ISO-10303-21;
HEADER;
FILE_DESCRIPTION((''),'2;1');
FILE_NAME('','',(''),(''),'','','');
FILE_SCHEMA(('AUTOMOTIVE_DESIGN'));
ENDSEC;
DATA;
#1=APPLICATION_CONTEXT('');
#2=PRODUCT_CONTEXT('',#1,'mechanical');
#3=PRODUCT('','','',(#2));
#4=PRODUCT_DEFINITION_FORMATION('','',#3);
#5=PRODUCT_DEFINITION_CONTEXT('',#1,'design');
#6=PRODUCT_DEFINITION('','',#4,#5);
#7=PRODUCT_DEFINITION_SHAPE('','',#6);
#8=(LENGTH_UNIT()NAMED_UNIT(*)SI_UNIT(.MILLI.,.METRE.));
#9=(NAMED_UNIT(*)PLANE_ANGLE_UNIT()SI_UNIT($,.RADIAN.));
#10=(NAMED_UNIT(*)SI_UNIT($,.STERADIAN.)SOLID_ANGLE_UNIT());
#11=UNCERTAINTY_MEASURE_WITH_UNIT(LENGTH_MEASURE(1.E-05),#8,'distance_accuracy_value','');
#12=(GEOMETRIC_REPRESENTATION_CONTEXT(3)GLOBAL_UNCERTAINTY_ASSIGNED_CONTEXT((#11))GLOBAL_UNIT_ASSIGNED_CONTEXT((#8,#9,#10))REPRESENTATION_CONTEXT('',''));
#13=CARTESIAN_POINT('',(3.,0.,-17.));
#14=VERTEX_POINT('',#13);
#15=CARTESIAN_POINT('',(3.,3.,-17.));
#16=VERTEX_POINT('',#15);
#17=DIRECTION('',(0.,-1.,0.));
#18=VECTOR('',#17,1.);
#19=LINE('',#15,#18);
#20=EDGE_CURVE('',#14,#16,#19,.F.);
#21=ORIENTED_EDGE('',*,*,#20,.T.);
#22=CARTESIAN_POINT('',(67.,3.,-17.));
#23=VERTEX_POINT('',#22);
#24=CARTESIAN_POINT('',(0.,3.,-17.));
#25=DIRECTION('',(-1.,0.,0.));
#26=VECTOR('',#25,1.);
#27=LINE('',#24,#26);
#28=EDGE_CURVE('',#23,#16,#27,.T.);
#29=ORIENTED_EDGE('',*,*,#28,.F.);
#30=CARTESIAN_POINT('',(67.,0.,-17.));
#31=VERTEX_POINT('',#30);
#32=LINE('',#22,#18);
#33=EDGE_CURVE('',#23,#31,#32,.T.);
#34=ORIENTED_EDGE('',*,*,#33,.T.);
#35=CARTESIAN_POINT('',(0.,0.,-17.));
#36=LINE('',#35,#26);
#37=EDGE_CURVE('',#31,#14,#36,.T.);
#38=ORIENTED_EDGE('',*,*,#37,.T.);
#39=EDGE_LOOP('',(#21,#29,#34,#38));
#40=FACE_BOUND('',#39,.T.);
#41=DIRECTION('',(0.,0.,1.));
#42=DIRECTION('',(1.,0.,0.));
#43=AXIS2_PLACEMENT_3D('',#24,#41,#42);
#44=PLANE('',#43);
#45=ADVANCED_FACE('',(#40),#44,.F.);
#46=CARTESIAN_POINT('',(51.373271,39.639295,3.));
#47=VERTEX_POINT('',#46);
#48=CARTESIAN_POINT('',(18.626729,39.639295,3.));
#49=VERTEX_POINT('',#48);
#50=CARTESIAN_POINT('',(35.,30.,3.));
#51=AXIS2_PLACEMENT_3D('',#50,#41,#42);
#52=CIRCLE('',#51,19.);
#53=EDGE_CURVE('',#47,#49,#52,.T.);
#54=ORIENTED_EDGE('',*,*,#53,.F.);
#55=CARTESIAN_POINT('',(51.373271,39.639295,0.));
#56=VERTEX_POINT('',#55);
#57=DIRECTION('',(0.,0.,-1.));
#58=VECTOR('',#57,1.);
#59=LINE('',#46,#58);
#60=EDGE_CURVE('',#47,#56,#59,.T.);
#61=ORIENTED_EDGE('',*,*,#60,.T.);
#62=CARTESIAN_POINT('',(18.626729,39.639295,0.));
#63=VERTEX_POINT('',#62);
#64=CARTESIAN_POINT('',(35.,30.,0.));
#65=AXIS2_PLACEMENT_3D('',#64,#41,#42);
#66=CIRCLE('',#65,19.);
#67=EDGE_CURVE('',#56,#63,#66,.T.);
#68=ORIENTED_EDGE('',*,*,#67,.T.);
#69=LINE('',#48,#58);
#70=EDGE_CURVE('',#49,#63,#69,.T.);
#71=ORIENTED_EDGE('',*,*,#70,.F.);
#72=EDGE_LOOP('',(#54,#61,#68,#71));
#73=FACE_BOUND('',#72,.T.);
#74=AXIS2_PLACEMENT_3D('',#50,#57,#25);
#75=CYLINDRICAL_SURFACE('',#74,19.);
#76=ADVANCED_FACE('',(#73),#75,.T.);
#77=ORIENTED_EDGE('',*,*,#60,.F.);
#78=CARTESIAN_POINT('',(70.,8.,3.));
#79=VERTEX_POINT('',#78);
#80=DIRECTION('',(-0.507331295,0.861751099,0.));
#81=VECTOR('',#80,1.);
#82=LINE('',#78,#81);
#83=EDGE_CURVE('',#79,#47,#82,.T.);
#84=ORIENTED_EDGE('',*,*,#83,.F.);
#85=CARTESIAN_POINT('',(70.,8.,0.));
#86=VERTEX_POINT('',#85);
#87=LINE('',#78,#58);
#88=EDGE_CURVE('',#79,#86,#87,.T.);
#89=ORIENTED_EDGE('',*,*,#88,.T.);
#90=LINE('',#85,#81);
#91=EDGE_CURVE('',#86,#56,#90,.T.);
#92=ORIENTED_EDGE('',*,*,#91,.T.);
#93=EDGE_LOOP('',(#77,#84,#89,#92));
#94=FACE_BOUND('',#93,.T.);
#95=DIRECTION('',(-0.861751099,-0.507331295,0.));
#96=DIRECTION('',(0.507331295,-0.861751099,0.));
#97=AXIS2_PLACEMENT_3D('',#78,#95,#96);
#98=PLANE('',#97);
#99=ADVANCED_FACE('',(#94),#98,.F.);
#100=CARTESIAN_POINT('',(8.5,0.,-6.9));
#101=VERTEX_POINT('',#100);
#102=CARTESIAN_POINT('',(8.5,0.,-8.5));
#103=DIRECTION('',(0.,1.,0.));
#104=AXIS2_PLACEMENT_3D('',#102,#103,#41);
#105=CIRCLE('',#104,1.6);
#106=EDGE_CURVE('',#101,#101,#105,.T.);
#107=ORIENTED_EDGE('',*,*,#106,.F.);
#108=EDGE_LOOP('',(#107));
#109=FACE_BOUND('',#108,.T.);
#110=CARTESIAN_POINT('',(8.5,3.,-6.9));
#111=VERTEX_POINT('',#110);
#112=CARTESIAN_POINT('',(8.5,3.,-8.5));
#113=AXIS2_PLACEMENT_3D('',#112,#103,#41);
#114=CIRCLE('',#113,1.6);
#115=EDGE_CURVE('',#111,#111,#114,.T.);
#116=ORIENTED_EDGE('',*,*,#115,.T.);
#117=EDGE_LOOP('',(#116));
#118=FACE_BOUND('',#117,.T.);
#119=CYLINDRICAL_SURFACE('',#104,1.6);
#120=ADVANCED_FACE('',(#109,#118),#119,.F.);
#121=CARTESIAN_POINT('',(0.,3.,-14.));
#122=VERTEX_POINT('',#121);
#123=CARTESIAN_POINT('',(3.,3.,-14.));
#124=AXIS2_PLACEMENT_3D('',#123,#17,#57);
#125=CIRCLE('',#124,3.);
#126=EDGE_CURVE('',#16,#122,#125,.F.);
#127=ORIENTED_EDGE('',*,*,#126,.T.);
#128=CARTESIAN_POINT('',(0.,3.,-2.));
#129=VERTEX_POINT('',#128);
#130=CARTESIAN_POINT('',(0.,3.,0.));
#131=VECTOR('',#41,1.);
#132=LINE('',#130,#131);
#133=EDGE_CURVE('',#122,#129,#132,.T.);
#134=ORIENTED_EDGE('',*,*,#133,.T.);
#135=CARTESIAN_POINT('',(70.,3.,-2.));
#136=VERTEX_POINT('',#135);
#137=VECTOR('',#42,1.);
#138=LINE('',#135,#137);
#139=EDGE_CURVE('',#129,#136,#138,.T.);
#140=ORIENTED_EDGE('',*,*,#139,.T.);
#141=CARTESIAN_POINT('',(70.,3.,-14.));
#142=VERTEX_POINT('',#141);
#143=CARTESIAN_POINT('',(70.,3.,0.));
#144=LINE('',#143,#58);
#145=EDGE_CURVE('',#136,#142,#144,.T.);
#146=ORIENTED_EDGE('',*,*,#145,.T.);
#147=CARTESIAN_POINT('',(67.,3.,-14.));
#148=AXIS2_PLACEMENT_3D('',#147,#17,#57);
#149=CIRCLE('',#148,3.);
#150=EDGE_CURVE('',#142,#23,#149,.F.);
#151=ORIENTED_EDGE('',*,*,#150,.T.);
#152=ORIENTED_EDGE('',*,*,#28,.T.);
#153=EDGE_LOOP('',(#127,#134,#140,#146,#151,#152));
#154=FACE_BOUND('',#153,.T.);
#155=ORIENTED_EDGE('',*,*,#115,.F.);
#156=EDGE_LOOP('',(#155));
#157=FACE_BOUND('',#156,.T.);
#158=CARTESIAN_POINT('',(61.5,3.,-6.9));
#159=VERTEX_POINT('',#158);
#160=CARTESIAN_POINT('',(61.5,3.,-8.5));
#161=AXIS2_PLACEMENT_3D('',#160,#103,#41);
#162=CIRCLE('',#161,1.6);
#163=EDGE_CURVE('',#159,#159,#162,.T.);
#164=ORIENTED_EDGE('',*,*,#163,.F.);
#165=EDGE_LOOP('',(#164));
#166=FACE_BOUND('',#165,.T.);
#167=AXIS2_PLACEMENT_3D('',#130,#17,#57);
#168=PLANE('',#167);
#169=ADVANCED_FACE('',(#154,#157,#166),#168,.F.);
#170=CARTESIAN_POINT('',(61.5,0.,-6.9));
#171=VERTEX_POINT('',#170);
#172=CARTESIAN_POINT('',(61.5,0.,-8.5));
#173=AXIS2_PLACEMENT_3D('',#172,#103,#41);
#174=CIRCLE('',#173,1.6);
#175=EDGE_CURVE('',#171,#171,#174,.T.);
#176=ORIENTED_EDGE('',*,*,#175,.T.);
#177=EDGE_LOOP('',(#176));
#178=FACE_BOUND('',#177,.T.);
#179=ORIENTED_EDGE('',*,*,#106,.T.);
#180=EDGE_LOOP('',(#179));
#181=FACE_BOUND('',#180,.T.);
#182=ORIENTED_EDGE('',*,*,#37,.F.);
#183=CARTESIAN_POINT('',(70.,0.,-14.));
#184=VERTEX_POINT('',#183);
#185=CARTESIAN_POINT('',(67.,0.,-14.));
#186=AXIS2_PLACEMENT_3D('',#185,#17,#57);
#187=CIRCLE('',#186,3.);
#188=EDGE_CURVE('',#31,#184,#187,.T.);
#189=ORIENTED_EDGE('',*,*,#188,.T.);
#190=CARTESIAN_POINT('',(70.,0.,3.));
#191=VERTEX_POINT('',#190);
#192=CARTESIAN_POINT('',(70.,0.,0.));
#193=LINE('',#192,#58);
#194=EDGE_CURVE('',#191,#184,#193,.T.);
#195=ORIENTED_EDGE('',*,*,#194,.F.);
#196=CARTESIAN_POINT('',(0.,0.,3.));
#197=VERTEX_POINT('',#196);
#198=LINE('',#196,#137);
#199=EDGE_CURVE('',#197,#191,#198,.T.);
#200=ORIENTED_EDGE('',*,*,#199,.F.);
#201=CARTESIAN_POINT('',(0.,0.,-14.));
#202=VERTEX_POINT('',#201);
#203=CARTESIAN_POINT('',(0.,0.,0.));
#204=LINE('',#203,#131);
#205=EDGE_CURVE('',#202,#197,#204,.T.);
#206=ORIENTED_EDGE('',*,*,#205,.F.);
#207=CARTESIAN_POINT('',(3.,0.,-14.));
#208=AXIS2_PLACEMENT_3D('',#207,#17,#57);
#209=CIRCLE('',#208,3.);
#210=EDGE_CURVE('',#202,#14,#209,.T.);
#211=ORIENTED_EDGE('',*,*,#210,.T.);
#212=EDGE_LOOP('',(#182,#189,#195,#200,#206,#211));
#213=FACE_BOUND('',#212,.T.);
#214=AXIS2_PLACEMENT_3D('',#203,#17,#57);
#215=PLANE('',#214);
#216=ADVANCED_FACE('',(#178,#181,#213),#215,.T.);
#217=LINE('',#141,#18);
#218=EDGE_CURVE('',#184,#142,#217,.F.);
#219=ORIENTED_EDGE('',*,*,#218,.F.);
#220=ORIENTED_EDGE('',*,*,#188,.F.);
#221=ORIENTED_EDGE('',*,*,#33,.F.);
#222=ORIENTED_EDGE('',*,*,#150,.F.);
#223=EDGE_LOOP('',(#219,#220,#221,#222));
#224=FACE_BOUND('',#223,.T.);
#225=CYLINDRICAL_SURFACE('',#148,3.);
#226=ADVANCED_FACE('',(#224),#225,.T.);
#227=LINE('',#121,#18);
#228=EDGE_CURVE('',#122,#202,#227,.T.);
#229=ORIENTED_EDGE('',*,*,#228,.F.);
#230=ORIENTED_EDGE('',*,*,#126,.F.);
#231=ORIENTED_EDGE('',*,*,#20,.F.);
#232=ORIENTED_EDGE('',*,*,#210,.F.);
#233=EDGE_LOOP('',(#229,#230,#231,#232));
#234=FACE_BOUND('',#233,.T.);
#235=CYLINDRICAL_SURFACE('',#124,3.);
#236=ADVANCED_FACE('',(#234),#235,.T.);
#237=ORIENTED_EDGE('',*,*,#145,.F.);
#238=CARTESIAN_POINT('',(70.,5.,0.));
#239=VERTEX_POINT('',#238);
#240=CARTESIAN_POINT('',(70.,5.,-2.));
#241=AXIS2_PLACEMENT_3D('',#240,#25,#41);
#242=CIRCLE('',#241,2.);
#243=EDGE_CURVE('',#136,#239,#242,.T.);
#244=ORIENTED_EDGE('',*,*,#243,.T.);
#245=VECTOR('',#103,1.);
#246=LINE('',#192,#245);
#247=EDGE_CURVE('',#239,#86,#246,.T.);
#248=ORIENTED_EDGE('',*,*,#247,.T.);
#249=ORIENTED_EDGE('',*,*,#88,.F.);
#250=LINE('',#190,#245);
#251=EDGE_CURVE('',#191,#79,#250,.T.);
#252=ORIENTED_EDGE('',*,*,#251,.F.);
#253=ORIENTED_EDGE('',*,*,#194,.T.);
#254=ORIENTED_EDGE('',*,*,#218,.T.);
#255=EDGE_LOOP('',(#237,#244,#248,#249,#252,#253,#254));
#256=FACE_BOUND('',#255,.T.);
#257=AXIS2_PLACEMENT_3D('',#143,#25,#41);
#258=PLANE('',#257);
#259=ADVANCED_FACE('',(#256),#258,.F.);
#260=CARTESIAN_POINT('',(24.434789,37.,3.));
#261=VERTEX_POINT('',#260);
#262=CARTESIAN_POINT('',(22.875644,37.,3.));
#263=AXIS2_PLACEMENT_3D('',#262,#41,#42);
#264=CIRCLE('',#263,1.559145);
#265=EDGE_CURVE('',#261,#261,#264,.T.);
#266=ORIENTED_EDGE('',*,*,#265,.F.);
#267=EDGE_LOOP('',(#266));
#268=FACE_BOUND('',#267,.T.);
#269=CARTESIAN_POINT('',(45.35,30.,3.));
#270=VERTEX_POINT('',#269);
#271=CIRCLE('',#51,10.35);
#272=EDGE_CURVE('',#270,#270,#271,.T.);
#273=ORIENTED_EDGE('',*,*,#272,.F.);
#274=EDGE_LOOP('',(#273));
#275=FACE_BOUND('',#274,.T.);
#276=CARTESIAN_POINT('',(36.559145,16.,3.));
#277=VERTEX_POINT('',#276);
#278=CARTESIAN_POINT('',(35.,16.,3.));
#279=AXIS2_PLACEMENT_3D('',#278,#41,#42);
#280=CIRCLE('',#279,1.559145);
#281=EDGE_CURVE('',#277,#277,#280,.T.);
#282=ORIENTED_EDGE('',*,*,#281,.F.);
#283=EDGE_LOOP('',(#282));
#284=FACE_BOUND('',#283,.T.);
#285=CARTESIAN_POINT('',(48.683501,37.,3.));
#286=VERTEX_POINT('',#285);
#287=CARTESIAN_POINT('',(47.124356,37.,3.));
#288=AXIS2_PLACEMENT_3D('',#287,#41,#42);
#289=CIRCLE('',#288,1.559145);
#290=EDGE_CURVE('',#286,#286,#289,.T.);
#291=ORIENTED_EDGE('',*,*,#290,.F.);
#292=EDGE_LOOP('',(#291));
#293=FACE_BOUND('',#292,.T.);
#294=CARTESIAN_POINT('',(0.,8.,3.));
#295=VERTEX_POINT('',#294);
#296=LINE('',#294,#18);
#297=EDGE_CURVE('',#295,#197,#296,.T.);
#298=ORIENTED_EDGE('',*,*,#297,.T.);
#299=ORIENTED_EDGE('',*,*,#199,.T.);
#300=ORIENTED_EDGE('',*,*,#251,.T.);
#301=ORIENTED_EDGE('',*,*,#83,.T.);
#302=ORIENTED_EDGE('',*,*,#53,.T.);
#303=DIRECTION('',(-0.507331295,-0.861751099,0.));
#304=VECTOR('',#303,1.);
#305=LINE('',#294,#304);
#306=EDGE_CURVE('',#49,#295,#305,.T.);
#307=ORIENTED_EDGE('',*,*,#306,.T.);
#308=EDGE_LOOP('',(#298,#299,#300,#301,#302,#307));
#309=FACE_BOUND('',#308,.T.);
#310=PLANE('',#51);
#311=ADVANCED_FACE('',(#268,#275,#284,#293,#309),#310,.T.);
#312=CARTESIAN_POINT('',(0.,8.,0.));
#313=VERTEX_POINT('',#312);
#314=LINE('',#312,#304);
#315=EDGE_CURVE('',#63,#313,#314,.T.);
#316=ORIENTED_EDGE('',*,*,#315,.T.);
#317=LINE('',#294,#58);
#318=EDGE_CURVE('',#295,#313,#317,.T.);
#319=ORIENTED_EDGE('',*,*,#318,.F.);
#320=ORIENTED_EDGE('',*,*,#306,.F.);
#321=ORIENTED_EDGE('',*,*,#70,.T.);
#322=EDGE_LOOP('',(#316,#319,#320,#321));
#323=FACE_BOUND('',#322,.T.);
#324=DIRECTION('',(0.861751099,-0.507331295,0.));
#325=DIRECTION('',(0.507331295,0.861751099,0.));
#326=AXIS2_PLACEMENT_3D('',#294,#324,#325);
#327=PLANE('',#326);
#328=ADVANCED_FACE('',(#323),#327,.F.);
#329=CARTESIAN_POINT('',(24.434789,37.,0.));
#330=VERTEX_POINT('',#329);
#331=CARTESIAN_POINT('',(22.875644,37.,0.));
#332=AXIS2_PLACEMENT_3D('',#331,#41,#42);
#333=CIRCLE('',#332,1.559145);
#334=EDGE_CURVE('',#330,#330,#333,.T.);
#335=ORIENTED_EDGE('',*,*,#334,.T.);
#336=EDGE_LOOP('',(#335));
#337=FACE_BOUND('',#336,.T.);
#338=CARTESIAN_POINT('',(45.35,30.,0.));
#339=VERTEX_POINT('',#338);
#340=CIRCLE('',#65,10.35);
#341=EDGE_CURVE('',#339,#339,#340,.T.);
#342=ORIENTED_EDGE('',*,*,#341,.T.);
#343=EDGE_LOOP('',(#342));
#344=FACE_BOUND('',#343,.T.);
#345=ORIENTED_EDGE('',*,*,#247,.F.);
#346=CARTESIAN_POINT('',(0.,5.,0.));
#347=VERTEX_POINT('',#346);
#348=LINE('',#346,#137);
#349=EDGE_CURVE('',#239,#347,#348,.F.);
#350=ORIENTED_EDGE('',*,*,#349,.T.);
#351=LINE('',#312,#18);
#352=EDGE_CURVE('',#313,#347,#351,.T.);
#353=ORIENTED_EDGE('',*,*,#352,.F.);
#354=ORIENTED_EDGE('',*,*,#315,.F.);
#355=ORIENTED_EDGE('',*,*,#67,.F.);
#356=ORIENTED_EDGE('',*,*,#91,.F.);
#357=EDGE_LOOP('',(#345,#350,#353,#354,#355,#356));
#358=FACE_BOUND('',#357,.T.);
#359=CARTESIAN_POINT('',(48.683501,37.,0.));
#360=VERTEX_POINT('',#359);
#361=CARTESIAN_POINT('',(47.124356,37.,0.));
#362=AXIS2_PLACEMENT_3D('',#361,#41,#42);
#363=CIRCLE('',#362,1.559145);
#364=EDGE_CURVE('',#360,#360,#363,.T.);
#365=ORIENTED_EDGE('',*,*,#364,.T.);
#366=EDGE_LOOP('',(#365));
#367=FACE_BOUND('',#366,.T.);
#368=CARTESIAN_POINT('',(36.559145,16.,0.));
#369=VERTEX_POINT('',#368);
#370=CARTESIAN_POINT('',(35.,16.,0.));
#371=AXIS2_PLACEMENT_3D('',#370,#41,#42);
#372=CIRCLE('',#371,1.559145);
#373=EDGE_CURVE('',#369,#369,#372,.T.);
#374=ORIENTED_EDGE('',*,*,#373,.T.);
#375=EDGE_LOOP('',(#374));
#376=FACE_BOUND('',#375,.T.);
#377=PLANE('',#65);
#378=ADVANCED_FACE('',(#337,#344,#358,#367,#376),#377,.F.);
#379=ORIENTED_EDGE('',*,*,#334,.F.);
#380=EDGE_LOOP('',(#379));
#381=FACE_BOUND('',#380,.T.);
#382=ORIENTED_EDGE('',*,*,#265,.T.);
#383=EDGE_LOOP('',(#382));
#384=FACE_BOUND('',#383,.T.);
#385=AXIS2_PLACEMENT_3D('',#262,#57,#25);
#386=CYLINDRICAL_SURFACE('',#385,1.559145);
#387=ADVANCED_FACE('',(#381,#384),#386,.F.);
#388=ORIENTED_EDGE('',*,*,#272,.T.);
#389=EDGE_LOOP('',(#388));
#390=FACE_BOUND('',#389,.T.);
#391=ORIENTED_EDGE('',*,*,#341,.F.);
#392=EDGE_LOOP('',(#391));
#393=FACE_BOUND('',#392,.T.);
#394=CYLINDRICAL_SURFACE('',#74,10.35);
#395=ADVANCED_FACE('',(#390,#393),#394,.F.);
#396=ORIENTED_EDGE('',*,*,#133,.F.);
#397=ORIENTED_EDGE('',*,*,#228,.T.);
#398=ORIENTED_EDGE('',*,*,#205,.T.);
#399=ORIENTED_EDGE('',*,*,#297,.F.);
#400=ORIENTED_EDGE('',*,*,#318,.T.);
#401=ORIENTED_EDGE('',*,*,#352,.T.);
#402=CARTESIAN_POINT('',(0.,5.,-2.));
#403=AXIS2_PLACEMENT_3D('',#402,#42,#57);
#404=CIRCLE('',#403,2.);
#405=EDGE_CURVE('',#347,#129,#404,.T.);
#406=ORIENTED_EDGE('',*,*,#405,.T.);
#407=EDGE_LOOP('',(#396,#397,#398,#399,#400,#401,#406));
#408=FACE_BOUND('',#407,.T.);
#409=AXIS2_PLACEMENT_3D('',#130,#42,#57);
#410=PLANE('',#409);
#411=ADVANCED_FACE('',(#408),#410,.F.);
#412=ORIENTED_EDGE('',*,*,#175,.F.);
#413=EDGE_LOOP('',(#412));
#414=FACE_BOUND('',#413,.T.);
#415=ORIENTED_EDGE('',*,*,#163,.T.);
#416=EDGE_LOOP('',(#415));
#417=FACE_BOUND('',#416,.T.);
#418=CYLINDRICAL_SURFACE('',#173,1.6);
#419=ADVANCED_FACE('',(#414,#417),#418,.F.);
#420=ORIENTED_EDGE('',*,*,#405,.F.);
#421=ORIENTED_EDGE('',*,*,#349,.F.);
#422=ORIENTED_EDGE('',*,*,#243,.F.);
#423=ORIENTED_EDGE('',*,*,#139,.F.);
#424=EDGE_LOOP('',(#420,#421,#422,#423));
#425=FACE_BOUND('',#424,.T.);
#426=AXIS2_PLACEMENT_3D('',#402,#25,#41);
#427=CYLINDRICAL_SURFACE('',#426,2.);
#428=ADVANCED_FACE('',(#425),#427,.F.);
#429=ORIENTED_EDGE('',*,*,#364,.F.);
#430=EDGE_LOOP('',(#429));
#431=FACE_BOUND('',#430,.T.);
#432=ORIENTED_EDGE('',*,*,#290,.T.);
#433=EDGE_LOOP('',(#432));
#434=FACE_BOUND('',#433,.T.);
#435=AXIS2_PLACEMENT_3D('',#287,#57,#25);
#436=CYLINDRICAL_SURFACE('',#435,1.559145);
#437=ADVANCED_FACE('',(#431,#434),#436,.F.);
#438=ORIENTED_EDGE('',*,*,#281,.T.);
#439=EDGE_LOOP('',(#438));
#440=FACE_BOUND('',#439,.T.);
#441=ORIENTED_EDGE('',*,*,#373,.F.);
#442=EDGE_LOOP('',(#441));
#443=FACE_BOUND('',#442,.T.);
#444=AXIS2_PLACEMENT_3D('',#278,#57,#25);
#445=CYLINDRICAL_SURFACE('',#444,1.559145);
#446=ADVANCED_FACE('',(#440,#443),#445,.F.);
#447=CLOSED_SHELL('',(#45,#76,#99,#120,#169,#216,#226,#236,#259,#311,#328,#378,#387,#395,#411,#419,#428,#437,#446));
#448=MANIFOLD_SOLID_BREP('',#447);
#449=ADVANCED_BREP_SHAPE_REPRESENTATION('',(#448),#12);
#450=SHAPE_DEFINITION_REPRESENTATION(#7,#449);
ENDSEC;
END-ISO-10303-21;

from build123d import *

# Parameters (mm, degrees)
SKETCH1_W           = 70
SKETCH1_H           = 17
BOSS_EXTRUDE1_DEPTH = 3
SKETCH2_R           = 10.35
SKETCH2_R_2         = 1.559144978
BOSS_EXTRUDE2_DEPTH = 3
SKETCH3_R           = 1.6
CUT_EXTRUDE1_DEPTH  = 4
FILLET1_R           = 3
FILLET2_R           = 2


with BuildPart() as part:
    # Sketch1 → Boss-Extrude1 (new body)
    with BuildSketch(Plane(origin=(0, 0, 0), x_dir=(1, 0, 0), z_dir=(0, 1, 0))):
        with Locations((35, 8.5)):
            Rectangle(SKETCH1_W, SKETCH1_H)
    extrude(amount=BOSS_EXTRUDE1_DEPTH)

    # Sketch2 → Boss-Extrude2 (add)
    with BuildSketch(Plane.XY):
        with BuildLine():
            Line((0, 0), (70, 0))
            Line((70, 0), (70, 8))
            Line((70, 8), (51.37327089, 39.639294598))
            ThreePointArc((51.37327089, 39.639294598), (35, 49), (18.62672911, 39.639294598))
            Line((18.62672911, 39.639294598), (0, 8))
            Line((0, 8), (0, 0))
        make_face()
        with Locations((35, 30)):
            Circle(SKETCH2_R, mode=Mode.SUBTRACT)
        with Locations((35, 16)):
            Circle(SKETCH2_R_2, mode=Mode.SUBTRACT)
        with Locations((22.875644347, 37)):
            Circle(SKETCH2_R_2, mode=Mode.SUBTRACT)
        with Locations((47.124355653, 37)):
            Circle(SKETCH2_R_2, mode=Mode.SUBTRACT)
    extrude(amount=BOSS_EXTRUDE2_DEPTH)

    # Sketch3 → Cut-Extrude1 (cut, through all)
    with BuildSketch(Plane(origin=(0, 3, 0), x_dir=(1, 0, 0), z_dir=(0, 1, 0))):
        with Locations(Location((8.5, 8.5, 0), (0, 0, 270))):  # turned: the seam where the file's is
            Circle(SKETCH3_R)
        with Locations(Location((61.5, 8.5, 0), (0, 0, 270))):  # turned: the seam where the file's is
            Circle(SKETCH3_R)
    extrude(amount=-CUT_EXTRUDE1_DEPTH, mode=Mode.SUBTRACT)

    # Fillet1
    fillet1_edges = [part.edges().sort_by_distance(p)[0] for p in [
        (70, 1.5, -17),
        (0, 1.5, -17),
    ]]
    fillet(fillet1_edges, radius=FILLET1_R)

    # Fillet2
    fillet2_edges = [part.edges().sort_by_distance(p)[0] for p in [
        (35, 3, 0),
    ]]
    fillet(fillet2_edges, radius=FILLET2_R)


solid = part.part
